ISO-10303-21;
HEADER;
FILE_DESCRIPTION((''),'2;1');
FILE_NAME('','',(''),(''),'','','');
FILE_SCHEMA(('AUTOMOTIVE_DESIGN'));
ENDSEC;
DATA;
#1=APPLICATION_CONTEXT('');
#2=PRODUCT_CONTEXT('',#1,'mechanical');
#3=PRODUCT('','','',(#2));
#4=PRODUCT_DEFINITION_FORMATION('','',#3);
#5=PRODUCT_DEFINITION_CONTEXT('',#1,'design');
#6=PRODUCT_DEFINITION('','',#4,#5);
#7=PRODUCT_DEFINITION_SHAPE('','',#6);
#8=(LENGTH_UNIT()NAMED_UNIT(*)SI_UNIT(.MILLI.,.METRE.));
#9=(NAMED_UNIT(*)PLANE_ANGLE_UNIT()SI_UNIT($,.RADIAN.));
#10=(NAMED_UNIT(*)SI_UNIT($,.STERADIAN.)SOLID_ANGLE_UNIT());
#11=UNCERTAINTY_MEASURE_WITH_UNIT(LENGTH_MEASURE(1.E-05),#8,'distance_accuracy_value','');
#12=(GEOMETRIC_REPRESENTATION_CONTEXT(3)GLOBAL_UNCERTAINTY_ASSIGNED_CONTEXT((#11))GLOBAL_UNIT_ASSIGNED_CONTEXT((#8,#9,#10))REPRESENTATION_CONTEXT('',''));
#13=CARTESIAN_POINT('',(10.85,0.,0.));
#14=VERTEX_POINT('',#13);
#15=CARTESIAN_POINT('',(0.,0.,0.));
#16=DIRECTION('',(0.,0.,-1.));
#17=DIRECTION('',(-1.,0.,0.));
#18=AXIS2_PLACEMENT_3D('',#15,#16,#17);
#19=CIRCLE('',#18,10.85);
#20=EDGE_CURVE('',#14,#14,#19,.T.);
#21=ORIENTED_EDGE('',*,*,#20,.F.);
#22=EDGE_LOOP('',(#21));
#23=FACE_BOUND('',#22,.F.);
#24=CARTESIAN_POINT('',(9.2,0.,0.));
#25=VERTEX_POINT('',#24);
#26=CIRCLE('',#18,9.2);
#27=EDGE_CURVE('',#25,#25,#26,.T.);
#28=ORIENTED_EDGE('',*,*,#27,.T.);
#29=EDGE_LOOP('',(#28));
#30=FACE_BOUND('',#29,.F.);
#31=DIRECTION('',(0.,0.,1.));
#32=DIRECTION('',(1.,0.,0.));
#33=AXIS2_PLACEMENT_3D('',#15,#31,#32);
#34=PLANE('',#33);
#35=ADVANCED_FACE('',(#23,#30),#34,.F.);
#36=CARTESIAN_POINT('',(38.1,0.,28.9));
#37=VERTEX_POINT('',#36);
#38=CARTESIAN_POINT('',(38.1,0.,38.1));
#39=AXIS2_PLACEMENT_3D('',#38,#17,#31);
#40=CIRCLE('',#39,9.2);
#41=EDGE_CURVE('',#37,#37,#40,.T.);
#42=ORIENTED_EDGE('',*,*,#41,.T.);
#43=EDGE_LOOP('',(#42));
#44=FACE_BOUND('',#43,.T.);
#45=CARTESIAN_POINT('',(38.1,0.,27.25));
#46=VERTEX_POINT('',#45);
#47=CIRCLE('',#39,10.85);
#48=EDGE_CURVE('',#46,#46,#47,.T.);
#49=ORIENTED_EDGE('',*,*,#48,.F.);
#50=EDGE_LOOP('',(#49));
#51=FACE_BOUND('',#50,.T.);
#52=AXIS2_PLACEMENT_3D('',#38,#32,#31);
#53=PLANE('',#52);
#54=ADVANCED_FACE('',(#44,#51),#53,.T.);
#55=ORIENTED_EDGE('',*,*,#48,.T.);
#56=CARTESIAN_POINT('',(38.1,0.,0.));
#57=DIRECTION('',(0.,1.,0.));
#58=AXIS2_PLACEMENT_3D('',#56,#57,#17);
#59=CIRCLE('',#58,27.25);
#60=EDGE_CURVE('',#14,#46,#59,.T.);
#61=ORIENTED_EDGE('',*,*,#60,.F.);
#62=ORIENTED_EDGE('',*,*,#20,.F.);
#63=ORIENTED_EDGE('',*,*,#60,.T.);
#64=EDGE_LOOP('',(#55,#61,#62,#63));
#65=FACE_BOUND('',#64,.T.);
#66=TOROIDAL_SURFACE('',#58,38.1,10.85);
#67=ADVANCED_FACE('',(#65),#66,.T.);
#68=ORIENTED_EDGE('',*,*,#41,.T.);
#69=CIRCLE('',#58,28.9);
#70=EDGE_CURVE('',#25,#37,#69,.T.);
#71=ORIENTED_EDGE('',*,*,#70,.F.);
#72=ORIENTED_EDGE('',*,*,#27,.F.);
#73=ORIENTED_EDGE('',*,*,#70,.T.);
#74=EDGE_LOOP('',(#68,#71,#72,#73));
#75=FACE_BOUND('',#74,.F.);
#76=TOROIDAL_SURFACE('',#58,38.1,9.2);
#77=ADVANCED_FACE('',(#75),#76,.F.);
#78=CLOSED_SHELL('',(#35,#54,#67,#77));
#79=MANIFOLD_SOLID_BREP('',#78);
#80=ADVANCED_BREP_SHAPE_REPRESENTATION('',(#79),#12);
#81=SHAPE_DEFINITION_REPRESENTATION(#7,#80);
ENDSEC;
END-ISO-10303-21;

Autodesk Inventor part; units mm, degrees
ref_plane "YZ Plane" through (0, 0, 0) normal (1, 0, 0) x (0, 1, 0)
ref_plane "XZ Plane" through (0, 0, 0) normal (0, 1, 0) x (-1, 0, 0)
ref_plane "XY Plane" through (0, 0, 0) normal (0, 0, 1) x (1, 0, 0)
sketch "Sketch1" plane through (0, 0, 0) normal (0, 0, 1) x (1, 0, 0)
  circle A0 centre (0, 0) radius 9.2
  circle A1 centre (0, 0) radius 10.85
  dimension "d0" = 18.4
  dimension "d1" = 21.7
sketch "Sketch2" plane through (0, 0, 0) normal (0, 1, 0) x (-1, 0, 0)
  line L0 (0, 0) -> (0, 38.1) construction
  line L1 (0, 38.1) -> (-38.1, 38.1) construction
  arc A0 (0, 0) -> (-38.1, 38.1) centre (-38.1, 0) ccw
  dimension "d2" = 38.1
  dimension "d3" = 90
  dimension "d4" = 38.1
sweep "Sweep1" add profiles "Sketch1" path "Sketch2"
equation "\"d0\" = D - 2 * T"
equation "\"d1\" = D"
equation "\"d2\" = F1"
equation "\"d4\" = F1"
equation "\"D\" = 21.7"
equation "\"F1\" = 38.1"
equation "\"T\" = 1.65"
equation "\"Size_Designation\" = 1.2345"
properties part number "JIS B 2312 90 Deg Long Elbow Stainless Steel 15A x Sch 5S" material "Stainless Steel"
